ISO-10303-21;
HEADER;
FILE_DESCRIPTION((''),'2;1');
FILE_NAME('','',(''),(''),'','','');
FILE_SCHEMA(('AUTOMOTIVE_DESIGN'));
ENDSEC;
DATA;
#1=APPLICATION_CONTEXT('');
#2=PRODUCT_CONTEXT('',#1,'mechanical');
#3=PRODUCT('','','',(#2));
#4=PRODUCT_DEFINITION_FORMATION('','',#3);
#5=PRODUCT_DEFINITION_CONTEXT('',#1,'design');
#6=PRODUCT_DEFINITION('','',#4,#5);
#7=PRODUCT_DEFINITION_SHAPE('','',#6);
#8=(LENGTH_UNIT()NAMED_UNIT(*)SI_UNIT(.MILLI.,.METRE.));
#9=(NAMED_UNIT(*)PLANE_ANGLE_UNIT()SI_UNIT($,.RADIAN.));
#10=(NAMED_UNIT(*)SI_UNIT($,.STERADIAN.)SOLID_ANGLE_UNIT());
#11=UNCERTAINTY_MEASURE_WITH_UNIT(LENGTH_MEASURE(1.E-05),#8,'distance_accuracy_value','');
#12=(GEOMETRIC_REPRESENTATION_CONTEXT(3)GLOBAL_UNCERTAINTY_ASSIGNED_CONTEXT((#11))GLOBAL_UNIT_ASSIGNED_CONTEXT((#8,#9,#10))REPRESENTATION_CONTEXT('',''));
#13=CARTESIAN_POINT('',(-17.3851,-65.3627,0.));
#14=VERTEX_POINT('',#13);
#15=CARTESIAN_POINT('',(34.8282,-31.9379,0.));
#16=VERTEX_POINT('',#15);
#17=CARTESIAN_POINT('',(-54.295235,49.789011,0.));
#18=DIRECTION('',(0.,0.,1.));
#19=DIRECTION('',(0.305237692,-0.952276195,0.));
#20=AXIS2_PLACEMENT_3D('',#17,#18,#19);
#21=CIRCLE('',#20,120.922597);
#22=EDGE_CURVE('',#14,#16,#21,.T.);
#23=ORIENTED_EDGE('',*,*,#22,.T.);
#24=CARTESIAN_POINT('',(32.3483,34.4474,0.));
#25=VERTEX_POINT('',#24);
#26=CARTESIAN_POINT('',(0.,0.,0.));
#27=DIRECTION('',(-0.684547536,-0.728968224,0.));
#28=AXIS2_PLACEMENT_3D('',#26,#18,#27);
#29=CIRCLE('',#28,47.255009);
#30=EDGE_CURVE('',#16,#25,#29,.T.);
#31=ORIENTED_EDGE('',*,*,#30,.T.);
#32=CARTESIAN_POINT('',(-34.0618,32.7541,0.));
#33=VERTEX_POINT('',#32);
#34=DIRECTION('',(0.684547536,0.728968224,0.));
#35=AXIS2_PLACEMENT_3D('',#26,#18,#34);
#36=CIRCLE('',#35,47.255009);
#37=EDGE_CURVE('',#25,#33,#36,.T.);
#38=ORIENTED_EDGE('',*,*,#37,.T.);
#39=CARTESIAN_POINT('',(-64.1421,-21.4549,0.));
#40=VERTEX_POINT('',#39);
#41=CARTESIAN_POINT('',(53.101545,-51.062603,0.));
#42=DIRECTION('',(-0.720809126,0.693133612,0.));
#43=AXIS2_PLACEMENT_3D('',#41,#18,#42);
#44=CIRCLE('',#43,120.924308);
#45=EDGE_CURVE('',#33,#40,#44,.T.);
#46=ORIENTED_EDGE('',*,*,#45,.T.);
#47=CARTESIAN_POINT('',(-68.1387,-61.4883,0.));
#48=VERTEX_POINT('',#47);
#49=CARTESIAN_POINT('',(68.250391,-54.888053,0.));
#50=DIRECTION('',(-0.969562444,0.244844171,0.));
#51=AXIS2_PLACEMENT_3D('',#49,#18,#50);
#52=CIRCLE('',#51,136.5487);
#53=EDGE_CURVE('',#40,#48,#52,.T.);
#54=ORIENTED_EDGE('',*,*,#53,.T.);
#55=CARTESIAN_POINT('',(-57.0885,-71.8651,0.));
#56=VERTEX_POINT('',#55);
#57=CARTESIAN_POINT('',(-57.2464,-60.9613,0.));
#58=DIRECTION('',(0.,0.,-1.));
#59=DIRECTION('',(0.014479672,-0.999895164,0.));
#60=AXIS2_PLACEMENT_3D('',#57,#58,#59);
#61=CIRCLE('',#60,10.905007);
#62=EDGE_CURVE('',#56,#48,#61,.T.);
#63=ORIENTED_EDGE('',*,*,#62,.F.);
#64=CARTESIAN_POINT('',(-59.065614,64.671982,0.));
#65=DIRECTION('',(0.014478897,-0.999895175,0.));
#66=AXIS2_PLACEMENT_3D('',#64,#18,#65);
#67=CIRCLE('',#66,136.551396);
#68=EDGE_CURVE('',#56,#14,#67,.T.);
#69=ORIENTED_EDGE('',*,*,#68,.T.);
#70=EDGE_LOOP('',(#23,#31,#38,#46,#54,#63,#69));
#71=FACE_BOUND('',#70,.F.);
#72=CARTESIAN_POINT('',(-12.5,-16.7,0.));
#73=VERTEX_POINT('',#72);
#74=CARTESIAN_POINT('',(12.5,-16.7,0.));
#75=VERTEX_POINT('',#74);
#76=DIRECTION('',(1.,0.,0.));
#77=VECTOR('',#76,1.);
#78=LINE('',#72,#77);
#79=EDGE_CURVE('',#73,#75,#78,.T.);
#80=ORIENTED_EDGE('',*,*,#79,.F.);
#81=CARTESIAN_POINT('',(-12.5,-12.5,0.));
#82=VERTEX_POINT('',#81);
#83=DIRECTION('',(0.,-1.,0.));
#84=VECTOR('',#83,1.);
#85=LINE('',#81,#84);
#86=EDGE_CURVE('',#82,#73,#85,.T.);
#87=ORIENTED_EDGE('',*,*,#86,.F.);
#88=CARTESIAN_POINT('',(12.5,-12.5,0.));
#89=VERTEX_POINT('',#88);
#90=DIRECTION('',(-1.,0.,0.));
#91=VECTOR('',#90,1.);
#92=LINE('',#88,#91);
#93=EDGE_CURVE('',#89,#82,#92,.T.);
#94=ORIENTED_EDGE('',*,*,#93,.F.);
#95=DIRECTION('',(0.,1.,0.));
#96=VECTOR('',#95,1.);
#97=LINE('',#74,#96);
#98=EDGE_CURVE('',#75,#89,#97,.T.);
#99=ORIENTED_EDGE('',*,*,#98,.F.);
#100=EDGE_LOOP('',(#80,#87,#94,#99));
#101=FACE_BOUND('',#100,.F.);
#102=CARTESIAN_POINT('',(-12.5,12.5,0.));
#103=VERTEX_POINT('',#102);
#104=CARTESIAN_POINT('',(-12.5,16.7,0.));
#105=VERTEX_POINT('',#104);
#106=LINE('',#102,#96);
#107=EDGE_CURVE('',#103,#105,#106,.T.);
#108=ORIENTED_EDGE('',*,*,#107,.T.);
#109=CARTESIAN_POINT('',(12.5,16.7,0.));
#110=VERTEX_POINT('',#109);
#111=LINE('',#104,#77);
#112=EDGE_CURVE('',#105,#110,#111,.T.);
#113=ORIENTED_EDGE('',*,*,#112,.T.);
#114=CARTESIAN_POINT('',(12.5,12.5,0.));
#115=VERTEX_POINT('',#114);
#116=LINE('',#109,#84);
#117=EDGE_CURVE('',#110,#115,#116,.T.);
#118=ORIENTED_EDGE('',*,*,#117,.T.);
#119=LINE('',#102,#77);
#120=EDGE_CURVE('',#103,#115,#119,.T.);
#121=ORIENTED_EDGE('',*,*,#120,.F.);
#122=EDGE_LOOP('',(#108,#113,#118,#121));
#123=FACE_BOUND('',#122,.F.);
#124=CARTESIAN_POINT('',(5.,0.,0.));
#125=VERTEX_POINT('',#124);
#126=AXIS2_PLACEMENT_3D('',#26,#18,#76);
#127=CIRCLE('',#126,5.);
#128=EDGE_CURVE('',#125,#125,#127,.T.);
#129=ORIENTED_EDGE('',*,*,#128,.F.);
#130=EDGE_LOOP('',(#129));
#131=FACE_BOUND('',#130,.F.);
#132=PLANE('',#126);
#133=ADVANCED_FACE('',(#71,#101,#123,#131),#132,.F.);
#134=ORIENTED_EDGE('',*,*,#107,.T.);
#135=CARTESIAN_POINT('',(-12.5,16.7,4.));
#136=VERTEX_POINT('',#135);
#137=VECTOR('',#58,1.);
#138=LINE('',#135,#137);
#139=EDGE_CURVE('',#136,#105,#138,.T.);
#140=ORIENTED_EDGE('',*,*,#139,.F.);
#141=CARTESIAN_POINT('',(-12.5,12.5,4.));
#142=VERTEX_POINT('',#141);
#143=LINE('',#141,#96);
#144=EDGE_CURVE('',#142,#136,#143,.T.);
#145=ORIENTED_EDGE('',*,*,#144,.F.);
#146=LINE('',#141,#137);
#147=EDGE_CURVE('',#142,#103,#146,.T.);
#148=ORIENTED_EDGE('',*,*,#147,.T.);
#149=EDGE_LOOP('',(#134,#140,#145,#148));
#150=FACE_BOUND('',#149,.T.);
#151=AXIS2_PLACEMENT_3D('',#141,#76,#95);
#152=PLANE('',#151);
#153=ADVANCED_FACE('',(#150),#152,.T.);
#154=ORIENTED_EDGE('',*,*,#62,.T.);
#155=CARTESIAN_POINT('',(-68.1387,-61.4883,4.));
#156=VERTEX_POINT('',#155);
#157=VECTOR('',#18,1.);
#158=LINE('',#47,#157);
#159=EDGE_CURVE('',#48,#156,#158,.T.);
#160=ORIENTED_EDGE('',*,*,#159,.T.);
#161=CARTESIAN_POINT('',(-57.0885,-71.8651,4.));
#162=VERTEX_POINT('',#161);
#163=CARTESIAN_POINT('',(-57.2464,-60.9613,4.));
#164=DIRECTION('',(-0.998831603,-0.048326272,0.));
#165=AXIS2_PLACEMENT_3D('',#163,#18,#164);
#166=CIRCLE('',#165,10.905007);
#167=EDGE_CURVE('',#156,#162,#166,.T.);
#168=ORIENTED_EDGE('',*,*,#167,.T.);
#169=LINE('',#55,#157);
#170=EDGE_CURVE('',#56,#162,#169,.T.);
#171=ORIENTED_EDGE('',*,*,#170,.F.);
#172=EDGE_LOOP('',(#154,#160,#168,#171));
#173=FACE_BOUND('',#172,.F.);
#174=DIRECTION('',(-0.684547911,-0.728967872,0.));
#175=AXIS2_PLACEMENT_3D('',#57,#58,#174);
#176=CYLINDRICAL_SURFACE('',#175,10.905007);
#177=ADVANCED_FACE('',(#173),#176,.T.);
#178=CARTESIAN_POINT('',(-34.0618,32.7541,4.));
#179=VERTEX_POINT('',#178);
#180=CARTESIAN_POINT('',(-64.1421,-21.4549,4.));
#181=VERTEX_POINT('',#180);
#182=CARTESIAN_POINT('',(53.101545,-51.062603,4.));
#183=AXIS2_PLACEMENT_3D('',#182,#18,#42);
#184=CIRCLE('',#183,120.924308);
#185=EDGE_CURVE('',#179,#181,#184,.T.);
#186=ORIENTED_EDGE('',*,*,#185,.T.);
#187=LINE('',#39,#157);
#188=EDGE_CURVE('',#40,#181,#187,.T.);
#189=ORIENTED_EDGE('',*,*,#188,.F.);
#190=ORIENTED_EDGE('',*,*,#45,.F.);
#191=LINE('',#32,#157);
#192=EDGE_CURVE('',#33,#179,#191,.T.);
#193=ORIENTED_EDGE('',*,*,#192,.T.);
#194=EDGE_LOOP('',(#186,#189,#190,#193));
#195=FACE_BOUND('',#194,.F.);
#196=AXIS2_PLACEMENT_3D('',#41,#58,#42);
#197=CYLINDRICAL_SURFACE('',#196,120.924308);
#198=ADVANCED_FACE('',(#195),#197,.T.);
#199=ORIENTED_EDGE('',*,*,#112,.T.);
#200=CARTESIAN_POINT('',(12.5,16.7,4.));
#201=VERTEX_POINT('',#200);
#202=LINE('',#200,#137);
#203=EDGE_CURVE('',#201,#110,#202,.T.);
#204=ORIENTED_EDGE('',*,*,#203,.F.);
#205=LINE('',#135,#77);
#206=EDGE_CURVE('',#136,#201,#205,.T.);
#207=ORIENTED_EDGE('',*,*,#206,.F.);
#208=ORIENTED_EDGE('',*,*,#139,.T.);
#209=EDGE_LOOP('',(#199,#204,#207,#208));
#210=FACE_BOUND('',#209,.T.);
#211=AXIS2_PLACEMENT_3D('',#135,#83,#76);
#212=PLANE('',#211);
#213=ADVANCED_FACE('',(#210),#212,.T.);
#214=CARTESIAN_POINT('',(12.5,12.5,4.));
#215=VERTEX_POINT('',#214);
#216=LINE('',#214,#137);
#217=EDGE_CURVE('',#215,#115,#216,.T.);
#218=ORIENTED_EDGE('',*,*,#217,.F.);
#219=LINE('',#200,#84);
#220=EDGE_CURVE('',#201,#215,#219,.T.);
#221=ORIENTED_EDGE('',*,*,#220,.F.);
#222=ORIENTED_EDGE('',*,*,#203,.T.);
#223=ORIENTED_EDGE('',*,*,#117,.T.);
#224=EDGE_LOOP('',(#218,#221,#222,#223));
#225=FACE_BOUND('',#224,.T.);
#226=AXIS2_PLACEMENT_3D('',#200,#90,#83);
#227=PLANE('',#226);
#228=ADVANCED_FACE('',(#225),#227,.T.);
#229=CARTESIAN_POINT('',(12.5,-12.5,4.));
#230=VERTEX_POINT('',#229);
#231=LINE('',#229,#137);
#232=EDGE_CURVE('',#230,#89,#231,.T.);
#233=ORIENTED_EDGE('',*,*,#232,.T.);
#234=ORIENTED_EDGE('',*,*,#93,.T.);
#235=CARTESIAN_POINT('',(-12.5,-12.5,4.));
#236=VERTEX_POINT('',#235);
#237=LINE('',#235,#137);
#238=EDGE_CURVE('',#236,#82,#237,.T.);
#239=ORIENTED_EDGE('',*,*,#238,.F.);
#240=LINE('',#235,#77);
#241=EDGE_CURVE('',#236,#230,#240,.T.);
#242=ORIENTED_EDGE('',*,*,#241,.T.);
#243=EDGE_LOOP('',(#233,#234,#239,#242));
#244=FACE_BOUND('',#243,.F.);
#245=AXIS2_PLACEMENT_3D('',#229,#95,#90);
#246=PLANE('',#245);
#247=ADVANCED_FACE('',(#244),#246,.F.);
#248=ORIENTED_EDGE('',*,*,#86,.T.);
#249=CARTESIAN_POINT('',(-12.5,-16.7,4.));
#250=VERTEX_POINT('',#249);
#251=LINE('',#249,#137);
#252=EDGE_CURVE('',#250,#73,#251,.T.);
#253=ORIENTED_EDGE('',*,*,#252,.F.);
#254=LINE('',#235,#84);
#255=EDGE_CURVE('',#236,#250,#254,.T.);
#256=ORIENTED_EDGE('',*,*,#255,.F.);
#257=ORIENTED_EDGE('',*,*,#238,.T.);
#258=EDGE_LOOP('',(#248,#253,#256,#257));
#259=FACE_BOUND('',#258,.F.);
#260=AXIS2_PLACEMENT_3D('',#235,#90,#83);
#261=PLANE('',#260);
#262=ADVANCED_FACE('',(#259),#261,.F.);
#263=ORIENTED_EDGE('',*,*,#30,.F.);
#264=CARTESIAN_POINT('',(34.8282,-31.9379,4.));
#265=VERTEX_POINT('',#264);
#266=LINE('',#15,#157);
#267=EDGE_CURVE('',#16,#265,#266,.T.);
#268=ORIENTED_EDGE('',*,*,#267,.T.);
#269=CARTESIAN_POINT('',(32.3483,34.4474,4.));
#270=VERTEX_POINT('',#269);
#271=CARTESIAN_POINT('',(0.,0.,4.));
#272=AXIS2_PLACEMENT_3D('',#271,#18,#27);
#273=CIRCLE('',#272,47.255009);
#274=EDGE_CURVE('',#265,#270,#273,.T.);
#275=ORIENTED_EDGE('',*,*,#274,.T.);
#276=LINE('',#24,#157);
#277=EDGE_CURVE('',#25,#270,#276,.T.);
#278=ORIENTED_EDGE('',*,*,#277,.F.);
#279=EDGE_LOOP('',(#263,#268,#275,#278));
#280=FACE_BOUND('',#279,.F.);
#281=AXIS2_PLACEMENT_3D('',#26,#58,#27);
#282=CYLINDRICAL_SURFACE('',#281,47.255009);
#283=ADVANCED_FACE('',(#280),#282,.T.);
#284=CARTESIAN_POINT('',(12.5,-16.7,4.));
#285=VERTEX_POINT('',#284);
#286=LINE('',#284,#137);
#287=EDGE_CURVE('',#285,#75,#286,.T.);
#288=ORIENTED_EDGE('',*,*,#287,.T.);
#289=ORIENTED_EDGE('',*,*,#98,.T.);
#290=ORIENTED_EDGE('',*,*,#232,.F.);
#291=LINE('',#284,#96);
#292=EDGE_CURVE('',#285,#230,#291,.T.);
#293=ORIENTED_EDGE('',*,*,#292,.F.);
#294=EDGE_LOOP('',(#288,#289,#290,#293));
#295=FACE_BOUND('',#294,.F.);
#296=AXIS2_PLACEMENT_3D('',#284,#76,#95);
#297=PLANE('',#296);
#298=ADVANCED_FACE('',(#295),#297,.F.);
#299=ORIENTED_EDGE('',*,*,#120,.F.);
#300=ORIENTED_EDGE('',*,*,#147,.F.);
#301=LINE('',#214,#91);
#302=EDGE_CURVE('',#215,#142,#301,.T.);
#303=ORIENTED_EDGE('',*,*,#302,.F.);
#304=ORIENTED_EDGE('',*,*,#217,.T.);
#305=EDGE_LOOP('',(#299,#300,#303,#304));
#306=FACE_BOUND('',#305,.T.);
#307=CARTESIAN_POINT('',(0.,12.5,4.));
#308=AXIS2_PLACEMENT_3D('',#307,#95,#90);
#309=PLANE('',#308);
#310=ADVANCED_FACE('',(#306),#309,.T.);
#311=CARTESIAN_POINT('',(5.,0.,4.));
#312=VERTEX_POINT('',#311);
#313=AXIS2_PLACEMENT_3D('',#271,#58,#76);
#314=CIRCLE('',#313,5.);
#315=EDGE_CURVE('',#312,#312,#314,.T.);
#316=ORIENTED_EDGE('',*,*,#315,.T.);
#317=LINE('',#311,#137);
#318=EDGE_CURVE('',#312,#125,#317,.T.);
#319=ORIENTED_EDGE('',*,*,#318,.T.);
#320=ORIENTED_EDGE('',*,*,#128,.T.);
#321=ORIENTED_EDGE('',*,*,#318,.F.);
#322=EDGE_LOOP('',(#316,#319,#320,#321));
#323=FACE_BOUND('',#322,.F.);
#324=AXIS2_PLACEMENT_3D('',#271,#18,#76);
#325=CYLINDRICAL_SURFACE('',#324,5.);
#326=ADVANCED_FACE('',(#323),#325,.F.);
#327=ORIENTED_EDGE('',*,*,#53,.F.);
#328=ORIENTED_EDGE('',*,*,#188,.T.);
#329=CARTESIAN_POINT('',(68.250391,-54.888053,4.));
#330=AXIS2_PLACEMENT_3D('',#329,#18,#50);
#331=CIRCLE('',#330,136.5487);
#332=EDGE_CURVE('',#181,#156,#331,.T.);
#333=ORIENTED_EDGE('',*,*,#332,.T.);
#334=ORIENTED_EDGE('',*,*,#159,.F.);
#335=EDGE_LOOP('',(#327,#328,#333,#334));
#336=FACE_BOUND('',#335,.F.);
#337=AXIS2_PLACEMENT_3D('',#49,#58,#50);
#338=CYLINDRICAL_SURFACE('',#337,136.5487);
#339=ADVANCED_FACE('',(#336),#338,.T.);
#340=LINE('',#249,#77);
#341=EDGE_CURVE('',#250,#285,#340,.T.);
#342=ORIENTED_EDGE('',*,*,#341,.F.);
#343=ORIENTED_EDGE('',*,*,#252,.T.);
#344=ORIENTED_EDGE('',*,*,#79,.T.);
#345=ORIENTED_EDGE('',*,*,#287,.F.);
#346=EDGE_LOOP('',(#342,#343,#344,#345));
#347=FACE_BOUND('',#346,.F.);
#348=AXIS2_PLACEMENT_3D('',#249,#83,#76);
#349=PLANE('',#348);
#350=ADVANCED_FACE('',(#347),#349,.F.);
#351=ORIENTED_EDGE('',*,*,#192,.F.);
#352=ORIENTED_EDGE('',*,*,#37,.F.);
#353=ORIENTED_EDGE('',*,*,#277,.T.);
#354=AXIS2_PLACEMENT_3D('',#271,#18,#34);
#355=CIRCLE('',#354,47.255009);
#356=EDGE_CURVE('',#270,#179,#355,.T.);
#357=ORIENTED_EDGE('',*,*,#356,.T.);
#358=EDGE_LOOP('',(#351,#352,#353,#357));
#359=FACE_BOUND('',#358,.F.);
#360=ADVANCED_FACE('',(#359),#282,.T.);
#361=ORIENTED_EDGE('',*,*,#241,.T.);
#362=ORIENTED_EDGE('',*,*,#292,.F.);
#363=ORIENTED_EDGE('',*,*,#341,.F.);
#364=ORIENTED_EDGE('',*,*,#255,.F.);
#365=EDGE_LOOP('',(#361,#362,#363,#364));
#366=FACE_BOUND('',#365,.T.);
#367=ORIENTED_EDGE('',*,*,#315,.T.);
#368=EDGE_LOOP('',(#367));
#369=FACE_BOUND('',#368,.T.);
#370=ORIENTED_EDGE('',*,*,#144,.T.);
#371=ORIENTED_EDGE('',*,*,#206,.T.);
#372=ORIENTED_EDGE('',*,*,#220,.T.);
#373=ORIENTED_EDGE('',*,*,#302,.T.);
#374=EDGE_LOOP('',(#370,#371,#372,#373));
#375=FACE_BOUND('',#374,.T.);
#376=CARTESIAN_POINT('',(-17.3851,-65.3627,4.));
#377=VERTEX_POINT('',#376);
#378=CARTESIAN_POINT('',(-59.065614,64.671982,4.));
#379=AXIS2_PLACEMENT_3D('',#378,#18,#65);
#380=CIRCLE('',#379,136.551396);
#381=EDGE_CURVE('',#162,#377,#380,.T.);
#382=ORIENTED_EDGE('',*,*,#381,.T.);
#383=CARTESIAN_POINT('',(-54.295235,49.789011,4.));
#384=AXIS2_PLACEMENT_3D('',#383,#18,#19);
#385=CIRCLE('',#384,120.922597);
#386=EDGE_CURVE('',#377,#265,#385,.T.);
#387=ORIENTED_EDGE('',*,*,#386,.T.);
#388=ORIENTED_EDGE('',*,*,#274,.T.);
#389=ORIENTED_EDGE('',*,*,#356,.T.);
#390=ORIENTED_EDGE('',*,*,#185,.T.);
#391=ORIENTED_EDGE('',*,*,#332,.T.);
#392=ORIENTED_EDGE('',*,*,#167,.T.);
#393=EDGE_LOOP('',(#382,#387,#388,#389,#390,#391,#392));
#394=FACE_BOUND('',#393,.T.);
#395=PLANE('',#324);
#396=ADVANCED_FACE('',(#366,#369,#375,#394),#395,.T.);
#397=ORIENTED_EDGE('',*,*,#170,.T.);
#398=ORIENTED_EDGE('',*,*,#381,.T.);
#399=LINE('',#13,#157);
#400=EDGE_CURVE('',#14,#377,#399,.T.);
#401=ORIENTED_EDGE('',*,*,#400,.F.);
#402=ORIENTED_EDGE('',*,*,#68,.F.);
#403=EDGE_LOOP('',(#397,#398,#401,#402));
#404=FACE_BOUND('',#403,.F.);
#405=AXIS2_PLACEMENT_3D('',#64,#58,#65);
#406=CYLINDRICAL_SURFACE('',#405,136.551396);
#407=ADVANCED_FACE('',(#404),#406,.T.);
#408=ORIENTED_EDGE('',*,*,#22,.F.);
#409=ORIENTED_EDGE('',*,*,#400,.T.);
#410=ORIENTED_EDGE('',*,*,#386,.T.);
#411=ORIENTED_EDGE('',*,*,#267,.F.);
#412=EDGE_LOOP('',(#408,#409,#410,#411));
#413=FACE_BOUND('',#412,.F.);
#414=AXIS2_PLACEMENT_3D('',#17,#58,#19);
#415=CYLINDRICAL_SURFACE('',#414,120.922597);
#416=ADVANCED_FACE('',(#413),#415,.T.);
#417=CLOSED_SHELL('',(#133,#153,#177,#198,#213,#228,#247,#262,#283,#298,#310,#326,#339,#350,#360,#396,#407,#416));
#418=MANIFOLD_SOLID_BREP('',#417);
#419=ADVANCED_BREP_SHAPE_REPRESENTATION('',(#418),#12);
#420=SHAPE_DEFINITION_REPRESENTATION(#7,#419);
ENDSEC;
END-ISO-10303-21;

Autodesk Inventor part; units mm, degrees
ref_plane "YZ Plane" through (0, 0, 0) normal (1, 0, 0) x (0, 1, 0)
ref_plane "XZ Plane" through (0, 0, 0) normal (0, 1, 0) x (-1, 0, 0)
ref_plane "XY Plane" through (0, 0, 0) normal (0, 0, 1) x (1, 0, 0)
sketch "Boceto1" plane through (0, 0, 0) normal (0, 0, 1) x (1, 0, 0)
  arc A0 (32.3483, 34.4474) -> (-32.3483, -34.4474) centre (0, 0) ccw
  arc A1 (-49.7814, -53.0119) -> (-64.7114, -68.9107) centre (-57.2464, -60.9613) ccw
  line L0 (-66.8727, -71.2122) -> (-74.8221, -63.7472)
  line L1 (-34.0618, 32.7541) -> (-47.3108, 45.1957)
  line L2 (-47.3108, 45.1957) -> (-74.8221, -63.7472)
  line L3 (-74.8221, -63.7472) -> (-64.1421, -21.4549)
  arc A2 (-34.0618, 32.7541) -> (-64.1421, -21.4549) centre (53.101, -51.0622) ccw
  arc A3 (-64.1421, -21.4549) -> (-68.1387, -61.4883) centre (68.2518, -54.8883) ccw
  line L4 (2.4883, 2.6498) -> (32.3483, 34.4474)
  line L5 (-2.4883, -2.6498) -> (-66.8727, -71.2122)
  arc A4 (-32.3483, -34.4474) -> (32.3483, 34.4474) centre (0, 0) ccw
  arc A5 (-64.7114, -68.9107) -> (-49.7814, -53.0119) centre (-57.2464, -60.9613) ccw
  line L6 (-66.8727, -71.2122) -> (-58.9233, -78.6772)
  line L7 (34.8282, -31.9379) -> (48.0772, -44.3796)
  line L8 (48.0772, -44.3796) -> (-58.9233, -78.6772)
  line L9 (-58.9233, -78.6772) -> (-17.3851, -65.3627)
  arc A6 (-17.3851, -65.3627) -> (34.8282, -31.9379) centre (-54.2957, 49.79) ccw
  arc A7 (-57.0885, -71.8651) -> (-17.3851, -65.3627) centre (-59.0655, 64.6707) ccw
  dimension "d0" = 94.51
  dimension "d6" = 21.81
  dimension "d7" = 10.905
  dimension "d8" = 18.175
  dimension "d9" = 43.62
extrude "Extrusión2" add sketch "Boceto1" along normal blind 4 contours A4 A0 | A0 L5 A1 A3 A2 | A6 A7 A5 L5 A4 | L5 A1 | A5 L5
sketch "Boceto2" plane through (0, 0, 4) normal (0, 0, 1) x (1, 0, 0)
  line L0 (0, 0) -> (0, 12.5)
  line L1 (0, 12.5) -> (-12.5, 12.5)
  line L2 (-12.5, 12.5) -> (-12.5, 16.7)
  line L3 (-12.5, 16.7) -> (12.5, 16.7)
  line L4 (12.5, 16.7) -> (12.5, 12.5)
  line L5 (12.5, 12.5) -> (0, 12.5)
  line L6 (0, 0) -> (12.5, 0)
  line L7 (0, 0) -> (0, -12.5)
  line L8 (0, -12.5) -> (-12.5, -12.5)
  line L9 (-12.5, -12.5) -> (-12.5, -16.7)
  line L10 (-12.5, -16.7) -> (12.5, -16.7)
  line L11 (12.5, -16.7) -> (12.5, -12.5)
  line L12 (12.5, -12.5) -> (0, -12.5)
  circle A0 centre (0, 0) radius 5
  dimension "d24" = 12.5
  dimension "d25" = 12.5
  dimension "d26" = 4.2
  dimension "d27" = 25
  dimension "d28" = 10
extrude "Extrusión3" cut sketch "Boceto2" against normal blind 4
properties part number "leva00" material "Madera (abedul)"
